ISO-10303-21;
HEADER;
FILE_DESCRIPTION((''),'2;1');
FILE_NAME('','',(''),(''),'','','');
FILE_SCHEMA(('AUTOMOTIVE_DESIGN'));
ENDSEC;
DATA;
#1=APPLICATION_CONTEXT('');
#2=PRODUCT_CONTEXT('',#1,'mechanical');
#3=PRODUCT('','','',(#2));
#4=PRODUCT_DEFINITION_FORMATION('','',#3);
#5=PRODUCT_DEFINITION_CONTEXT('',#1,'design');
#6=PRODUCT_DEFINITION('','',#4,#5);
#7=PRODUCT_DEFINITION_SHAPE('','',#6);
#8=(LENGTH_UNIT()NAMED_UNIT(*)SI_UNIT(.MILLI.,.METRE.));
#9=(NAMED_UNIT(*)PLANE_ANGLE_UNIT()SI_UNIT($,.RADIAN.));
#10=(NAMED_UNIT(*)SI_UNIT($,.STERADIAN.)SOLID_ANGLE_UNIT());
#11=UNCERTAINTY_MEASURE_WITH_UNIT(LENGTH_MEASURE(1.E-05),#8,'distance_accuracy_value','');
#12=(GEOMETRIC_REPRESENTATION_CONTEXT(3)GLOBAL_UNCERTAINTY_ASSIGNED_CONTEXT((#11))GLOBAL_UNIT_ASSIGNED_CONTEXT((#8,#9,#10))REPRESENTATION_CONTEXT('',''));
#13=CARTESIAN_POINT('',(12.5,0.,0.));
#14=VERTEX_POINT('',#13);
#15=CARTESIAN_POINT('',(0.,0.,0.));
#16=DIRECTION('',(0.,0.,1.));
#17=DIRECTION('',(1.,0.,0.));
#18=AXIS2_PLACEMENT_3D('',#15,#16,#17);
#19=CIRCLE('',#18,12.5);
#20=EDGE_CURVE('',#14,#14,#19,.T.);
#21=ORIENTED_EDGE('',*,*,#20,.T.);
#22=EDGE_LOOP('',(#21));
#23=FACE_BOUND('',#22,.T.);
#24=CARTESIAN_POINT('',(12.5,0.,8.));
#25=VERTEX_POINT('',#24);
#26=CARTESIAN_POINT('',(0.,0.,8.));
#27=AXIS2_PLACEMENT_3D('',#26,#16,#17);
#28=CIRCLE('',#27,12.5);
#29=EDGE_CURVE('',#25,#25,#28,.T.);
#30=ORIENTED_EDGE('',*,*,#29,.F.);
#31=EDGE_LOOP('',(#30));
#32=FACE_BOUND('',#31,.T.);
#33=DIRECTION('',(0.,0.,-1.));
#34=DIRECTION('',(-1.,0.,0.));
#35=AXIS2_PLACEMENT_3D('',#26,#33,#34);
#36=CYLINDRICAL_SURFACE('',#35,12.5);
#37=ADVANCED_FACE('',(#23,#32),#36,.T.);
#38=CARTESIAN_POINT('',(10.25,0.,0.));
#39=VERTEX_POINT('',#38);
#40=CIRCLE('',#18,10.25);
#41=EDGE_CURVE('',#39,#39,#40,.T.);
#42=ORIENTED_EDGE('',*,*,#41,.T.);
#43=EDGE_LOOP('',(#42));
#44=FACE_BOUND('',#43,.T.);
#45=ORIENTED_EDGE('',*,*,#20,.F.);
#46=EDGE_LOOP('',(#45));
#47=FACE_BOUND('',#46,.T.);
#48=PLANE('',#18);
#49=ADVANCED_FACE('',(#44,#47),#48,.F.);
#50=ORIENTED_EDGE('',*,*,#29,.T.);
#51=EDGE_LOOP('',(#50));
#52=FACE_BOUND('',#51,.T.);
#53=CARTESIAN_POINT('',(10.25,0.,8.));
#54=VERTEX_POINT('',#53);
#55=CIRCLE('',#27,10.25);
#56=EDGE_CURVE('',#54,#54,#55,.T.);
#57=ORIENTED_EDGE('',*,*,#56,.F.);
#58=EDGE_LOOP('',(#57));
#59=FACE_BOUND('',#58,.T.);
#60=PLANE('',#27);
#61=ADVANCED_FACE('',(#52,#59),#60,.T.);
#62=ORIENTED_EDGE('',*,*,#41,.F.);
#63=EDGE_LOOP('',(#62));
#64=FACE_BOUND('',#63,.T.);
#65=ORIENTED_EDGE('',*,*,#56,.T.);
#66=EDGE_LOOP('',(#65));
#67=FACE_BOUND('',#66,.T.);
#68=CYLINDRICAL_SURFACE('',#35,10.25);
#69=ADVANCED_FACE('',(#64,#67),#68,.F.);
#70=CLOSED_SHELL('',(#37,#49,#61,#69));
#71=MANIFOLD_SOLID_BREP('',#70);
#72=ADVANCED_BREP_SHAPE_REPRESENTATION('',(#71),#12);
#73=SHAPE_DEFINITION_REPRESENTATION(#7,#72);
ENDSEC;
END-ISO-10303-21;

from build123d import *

# Parameters (mm, degrees)
SKETCH_1_R      = 12.5
SKETCH_1_R_2    = 10.25
EXTRUDE_1_DEPTH = 8


with BuildPart() as part:
    # 草图1 → 凸台-拉伸1 (new body)
    with BuildSketch(Plane.XY):
        Circle(SKETCH_1_R)
        Circle(SKETCH_1_R_2, mode=Mode.SUBTRACT)
    extrude(amount=EXTRUDE_1_DEPTH)


solid = part.part
